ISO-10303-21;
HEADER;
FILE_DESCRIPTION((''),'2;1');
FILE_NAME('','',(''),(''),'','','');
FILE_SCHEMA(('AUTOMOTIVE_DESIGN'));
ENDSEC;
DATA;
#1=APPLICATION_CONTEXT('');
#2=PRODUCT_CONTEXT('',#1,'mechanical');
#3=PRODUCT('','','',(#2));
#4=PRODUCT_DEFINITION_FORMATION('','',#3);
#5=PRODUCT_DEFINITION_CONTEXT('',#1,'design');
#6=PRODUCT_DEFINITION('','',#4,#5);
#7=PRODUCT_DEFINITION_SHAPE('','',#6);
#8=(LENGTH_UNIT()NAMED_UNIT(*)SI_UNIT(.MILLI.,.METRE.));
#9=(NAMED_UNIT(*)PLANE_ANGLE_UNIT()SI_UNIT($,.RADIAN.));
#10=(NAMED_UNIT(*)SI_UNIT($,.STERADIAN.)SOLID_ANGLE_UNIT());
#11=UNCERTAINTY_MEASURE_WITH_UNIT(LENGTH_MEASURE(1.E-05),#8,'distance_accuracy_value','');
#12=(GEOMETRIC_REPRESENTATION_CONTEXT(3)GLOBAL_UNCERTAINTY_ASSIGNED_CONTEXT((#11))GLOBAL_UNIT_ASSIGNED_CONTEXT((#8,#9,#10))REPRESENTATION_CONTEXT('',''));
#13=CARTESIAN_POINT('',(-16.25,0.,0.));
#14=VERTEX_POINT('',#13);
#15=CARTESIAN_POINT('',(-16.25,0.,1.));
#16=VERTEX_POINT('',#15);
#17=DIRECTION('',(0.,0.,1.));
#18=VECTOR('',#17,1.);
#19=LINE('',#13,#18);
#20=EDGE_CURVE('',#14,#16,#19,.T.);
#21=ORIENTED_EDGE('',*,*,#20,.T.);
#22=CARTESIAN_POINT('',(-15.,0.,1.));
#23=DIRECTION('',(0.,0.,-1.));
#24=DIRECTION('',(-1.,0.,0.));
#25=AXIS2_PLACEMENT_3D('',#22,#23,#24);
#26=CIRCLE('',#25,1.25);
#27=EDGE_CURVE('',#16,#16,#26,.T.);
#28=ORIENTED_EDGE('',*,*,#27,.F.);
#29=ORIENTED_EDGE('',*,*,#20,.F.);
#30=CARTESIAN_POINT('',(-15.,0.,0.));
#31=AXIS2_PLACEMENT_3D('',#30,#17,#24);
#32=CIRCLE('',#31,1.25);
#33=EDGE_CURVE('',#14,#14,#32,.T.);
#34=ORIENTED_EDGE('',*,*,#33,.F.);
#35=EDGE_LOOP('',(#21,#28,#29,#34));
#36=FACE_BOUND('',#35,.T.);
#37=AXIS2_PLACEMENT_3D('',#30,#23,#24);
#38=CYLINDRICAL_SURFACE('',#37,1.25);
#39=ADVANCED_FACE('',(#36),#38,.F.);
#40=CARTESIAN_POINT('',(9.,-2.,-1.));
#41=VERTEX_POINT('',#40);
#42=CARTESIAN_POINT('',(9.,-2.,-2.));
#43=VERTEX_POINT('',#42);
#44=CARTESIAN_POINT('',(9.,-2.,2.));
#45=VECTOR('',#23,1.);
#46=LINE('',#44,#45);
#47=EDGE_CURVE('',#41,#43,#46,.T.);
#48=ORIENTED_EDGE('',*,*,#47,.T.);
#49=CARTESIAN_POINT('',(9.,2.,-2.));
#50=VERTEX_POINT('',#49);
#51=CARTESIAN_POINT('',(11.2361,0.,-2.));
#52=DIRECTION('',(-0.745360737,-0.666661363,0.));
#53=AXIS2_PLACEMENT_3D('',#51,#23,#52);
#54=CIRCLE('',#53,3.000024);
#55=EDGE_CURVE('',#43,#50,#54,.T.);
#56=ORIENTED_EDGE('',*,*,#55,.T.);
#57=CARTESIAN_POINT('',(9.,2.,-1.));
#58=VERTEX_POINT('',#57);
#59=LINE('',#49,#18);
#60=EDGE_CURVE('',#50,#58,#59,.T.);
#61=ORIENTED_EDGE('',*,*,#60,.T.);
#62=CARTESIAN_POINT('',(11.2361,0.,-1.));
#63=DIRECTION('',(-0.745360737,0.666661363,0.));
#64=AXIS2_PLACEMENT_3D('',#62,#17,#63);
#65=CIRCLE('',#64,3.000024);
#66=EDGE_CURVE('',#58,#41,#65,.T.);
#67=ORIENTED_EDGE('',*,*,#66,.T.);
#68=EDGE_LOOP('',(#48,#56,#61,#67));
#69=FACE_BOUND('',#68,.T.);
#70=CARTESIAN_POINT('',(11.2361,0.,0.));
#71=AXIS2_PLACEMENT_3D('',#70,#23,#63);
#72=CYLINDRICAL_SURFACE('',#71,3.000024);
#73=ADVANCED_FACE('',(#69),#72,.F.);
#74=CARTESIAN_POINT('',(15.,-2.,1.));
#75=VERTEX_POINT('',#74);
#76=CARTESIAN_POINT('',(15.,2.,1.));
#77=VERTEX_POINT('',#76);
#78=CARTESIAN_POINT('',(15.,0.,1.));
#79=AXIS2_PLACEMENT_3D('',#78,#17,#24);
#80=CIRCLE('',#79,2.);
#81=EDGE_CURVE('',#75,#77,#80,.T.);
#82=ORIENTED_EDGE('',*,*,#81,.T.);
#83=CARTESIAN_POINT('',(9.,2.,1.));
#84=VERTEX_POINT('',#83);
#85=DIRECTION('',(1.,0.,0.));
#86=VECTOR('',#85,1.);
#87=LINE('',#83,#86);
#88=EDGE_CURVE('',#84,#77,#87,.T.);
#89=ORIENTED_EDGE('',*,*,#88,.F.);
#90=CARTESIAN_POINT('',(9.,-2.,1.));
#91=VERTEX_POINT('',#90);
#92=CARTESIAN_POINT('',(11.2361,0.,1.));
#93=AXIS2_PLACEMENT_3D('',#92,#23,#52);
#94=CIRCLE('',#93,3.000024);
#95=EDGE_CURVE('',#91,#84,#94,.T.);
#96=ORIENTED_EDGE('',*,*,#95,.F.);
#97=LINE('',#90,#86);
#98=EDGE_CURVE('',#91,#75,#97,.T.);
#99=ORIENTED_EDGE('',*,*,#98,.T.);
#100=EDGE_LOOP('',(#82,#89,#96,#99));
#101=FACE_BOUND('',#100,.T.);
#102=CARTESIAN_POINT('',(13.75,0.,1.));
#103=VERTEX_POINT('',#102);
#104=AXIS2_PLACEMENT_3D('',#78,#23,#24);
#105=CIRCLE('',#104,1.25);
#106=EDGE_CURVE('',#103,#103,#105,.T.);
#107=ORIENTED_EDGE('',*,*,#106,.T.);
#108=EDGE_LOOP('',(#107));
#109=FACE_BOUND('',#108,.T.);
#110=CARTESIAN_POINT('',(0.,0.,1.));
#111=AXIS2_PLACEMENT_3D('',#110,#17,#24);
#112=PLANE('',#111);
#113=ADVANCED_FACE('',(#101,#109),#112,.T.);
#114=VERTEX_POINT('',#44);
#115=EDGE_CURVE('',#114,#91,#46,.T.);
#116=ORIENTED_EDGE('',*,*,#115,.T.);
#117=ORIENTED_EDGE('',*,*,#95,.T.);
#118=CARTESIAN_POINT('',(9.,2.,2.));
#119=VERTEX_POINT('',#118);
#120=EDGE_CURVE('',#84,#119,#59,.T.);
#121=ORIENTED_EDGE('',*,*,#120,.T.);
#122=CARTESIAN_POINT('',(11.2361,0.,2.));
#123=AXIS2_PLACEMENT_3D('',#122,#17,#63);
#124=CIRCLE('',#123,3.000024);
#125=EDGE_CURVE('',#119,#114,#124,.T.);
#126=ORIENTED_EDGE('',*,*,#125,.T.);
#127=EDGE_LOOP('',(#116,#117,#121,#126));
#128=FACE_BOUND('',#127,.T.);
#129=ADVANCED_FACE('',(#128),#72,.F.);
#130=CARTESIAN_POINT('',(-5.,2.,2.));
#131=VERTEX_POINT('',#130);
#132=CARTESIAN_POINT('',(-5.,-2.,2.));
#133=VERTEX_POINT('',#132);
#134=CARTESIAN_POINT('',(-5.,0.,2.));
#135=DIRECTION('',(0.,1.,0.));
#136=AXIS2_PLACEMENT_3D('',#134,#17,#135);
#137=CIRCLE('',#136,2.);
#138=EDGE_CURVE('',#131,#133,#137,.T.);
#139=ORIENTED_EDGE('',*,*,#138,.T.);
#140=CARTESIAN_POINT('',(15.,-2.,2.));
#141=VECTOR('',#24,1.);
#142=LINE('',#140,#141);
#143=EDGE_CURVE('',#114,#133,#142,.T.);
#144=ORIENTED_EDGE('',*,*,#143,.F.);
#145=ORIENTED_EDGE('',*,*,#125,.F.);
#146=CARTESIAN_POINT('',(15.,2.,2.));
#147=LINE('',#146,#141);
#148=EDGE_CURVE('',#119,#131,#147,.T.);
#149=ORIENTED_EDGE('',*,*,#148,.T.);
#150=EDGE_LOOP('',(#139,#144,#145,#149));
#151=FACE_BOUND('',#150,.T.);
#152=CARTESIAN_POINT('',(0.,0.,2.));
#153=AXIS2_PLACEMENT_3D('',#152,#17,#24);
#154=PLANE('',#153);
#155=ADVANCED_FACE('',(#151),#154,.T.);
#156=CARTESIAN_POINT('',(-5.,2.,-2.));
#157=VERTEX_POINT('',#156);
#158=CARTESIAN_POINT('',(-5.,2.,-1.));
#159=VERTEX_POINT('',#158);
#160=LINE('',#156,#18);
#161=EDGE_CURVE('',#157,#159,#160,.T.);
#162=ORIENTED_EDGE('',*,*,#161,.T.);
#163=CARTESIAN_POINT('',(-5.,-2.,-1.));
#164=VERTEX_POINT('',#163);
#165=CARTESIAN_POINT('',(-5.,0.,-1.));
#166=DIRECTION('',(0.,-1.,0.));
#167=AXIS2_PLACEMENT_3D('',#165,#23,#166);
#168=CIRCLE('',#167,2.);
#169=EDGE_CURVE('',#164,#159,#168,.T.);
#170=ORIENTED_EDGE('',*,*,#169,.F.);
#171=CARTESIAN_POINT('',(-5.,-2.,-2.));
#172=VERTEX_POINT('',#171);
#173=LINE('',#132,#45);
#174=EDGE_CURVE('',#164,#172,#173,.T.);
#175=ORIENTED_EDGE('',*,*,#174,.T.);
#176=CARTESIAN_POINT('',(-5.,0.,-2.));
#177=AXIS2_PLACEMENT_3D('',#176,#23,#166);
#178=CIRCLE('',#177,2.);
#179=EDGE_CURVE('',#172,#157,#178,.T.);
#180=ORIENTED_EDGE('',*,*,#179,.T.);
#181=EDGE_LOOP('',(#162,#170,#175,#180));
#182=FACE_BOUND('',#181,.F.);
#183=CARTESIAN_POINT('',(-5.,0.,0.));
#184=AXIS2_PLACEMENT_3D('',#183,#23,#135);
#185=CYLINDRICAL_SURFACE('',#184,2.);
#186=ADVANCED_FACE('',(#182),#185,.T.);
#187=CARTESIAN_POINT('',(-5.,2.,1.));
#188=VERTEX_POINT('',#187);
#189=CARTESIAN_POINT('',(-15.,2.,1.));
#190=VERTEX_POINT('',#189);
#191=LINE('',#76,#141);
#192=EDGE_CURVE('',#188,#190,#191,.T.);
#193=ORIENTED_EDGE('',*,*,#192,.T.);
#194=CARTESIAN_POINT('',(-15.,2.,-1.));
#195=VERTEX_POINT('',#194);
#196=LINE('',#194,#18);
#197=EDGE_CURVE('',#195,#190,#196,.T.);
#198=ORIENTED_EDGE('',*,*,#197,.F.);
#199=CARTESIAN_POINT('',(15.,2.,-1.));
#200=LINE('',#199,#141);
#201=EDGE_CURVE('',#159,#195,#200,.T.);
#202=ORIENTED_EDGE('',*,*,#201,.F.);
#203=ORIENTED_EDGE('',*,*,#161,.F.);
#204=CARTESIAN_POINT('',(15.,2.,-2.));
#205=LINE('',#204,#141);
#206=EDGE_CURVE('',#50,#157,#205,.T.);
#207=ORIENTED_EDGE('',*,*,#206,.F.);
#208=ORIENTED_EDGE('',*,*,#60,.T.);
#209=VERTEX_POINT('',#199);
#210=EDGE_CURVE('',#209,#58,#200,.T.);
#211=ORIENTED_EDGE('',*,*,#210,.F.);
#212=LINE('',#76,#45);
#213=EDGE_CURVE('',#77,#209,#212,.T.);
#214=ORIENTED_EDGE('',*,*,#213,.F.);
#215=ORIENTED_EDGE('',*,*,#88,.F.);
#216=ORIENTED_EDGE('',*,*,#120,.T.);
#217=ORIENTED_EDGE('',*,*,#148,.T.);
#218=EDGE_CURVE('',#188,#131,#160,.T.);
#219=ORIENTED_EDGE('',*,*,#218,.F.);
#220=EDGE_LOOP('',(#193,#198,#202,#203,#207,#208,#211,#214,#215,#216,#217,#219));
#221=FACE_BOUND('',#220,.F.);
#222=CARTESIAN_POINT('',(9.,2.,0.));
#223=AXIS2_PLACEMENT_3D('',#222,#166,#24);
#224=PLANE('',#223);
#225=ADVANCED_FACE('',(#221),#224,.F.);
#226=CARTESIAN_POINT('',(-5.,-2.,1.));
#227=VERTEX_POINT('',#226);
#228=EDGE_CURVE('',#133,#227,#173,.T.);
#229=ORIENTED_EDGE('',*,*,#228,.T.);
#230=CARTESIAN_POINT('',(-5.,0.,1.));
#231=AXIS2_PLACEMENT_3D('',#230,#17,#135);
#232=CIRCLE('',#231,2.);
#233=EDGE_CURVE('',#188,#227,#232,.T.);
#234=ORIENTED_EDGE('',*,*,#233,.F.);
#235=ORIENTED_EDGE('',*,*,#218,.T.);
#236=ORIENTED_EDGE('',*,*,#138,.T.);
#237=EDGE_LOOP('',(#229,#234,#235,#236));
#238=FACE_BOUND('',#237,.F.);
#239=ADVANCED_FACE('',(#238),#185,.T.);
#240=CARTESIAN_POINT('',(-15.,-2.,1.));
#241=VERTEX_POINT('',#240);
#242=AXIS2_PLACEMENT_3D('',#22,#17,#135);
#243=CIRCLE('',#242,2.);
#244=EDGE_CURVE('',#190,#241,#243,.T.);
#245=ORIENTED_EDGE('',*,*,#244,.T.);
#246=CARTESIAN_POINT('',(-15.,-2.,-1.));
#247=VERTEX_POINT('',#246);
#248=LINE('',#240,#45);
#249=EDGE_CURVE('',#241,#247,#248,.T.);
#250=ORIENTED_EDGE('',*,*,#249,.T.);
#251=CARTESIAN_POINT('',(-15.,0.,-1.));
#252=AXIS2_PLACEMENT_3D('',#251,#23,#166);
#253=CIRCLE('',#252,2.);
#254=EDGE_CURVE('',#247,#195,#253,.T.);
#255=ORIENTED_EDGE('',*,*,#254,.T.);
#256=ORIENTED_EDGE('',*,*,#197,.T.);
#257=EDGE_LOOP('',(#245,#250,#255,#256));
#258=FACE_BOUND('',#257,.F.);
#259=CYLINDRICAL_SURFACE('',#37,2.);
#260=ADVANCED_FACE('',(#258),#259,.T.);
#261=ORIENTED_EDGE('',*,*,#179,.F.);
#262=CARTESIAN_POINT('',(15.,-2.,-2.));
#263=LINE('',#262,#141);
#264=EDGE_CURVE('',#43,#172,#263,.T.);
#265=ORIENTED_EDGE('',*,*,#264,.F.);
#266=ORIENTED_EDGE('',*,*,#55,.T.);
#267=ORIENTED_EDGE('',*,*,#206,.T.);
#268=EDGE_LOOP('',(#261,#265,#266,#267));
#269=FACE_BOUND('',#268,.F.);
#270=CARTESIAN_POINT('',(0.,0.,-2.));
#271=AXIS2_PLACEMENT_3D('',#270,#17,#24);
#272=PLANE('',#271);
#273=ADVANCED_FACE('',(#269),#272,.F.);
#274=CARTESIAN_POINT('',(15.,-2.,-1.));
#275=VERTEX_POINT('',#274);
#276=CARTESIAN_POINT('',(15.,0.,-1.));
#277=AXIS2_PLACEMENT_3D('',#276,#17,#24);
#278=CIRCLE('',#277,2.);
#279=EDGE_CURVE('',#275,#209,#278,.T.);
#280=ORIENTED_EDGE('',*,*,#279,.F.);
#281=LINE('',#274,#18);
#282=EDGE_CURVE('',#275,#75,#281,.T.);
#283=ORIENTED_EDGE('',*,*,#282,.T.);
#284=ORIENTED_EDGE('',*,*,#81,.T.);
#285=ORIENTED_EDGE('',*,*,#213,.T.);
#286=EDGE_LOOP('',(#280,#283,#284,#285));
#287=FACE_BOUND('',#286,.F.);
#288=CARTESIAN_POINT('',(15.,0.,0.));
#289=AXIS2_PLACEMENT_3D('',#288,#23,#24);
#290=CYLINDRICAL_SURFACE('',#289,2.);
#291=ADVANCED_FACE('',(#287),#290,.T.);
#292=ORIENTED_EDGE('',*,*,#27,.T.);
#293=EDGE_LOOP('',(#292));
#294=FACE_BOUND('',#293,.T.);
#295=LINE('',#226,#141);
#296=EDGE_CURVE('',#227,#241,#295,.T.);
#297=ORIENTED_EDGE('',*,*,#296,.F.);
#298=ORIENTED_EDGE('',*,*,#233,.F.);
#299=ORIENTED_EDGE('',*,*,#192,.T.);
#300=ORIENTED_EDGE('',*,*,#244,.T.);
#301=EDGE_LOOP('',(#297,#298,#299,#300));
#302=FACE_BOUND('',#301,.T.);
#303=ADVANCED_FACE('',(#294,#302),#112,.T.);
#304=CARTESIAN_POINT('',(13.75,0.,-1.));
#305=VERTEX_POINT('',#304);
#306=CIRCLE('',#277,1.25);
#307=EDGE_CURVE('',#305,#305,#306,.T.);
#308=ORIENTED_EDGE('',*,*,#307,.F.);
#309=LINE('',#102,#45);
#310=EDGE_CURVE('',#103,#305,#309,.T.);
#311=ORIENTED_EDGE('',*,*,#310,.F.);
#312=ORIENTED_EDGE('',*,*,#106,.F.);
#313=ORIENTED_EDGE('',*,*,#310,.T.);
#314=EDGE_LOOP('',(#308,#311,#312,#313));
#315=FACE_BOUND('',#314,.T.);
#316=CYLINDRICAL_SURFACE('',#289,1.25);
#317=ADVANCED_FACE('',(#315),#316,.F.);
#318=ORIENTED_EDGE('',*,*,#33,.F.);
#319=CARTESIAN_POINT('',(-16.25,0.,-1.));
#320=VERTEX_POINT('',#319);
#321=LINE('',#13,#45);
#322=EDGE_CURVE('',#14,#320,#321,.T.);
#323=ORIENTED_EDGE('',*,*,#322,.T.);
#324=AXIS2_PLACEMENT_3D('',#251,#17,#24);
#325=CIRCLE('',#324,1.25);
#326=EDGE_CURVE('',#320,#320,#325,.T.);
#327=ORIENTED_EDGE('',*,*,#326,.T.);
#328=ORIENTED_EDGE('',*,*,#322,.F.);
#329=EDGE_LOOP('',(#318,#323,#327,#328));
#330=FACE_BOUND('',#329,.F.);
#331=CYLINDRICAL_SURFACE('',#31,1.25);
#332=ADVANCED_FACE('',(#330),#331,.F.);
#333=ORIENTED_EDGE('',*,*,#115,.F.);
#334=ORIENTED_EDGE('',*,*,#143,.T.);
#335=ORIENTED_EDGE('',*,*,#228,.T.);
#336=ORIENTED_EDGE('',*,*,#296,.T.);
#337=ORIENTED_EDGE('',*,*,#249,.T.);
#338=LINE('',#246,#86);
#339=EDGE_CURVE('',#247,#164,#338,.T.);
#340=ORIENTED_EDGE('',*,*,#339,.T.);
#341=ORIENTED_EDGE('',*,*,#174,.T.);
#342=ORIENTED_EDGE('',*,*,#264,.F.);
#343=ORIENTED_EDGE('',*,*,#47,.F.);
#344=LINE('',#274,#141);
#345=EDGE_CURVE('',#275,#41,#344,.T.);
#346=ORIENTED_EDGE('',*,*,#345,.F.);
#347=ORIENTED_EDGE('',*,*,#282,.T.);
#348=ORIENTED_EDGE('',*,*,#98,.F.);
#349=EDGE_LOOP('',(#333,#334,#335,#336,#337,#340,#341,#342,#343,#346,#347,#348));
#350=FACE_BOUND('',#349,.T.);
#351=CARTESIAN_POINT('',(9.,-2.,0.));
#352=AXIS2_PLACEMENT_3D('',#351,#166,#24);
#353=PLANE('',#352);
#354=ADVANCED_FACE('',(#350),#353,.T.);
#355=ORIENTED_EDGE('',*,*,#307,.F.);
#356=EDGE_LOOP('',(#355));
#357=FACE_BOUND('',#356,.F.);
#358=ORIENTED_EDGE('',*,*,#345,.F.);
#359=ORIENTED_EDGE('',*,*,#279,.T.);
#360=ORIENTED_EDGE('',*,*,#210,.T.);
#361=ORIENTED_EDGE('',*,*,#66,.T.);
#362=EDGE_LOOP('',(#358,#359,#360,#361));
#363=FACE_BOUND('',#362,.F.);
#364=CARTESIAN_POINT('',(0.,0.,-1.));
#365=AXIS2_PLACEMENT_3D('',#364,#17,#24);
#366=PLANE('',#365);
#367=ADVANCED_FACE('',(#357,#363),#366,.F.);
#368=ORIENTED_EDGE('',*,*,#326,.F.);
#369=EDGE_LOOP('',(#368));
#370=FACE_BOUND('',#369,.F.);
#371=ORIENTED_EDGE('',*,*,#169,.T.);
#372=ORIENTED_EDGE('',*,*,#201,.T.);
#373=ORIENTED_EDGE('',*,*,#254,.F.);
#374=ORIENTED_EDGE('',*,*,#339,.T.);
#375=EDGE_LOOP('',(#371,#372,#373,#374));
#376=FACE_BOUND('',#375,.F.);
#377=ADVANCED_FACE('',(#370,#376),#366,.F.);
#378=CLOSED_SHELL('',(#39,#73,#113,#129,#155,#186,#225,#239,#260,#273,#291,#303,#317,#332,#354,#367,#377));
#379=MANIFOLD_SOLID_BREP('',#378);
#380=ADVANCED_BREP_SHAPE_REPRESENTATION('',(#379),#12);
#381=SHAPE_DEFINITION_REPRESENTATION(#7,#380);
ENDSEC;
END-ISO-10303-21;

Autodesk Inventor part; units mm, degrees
ref_plane "YZ Plane" through (0, 0, 0) normal (1, 0, 0) x (0, 1, 0)
ref_plane "XZ Plane" through (0, 0, 0) normal (0, 1, 0) x (-1, 0, 0)
ref_plane "XY Plane" through (0, 0, 0) normal (0, 0, 1) x (1, 0, 0)
sketch "Sketch1" plane through (0, 0, 0) normal (0, 0, 1) x (1, 0, 0)
  line L0 (0, 0) -> (15, 0)
  line L1 (0, 0) -> (-15, 0)
  line L2 (0, 0) -> (5, 0)
  circle A0 centre (-15, 0) radius 1.25
  circle A1 centre (15, 0) radius 1.25
  circle A2 centre (-15, 0) radius 2
  circle A3 centre (15, 0) radius 2
  line L3 (-15, 2) -> (15, 2)
  line L4 (-15, -2) -> (15, -2)
  line L5 (-15, 2) -> (-9, 2)
  line L6 (-9, 2) -> (-9, -2)
  line L7 (-9, -2) -> (-15, -2)
  line L8 (-15, -2) -> (-15, 2)
  line L9 (15, 2) -> (12.5, 2)
  line L10 (15, -2) -> (15, 2)
  arc A4 (-9, -2) -> (-9, 2) centre (-11.2361, 0) ccw
  line L11 (5, 0) -> (1, 0)
  line L12 (5, 2) -> (5, 2)
  line L13 (5, 0) -> (9, 0)
  line L14 (-15, 2) -> (-14.5, 2)
  line L15 (-15, -2) -> (-14.5, -2)
  arc A5 (-14.5, -2) -> (-14.5, 2) centre (-14.5, 0) ccw
  line L16 (15, 0) -> (7, 0)
  line L17 (15, 2) -> (5, 2)
  line L18 (15, -2) -> (5, -2)
  arc A6 (5, -2) -> (5, 2) centre (5, 0) ccw
  point P0 (-9, 2)
  dimension "d1" = 15
  dimension "d2" = 15
  dimension "d4" = 2.5
  dimension "d6" = 2.5
  dimension "d7" = 4
  dimension "d8" = 4
  dimension "d10" = 6
  dimension "d16" = 4
  dimension "d17" = 3
  dimension "d24" = 0.5
  dimension "d25" = 0.5
  dimension "d26" = 2
  dimension "d37" = 8
  dimension "d38" = 10
  dimension "d45" = 10
extrude "Extrusion6" add sketch "Sketch1" along normal mid plane 2 contours A4 L6 L1 | L1 L6 A4 | L6 L4 A5 L1 | L1 A5 L3 L6 | A6 L3 A3 L0 | L0 A3 L4 A6 | A5 L4 A2 L1 | L1 A2 L3 A5 | A2 L8 A0 L1 | L1 A0 L8 A2 | A2 L8 A0 | L10 A1 A3 | A3 L0 A1 L10 | A3 L10 A1 L0
extrude "Extrusion7" add sketch "Sketch1" along normal mid plane 4 contours L1 A4 L3 A6 L0 | L0 A6 L4 A4 L1
move or copy body "Move Body1" bodies to move or copy 1 copy no rotation origin (0, 0, 0) rotation axis (0, 0, 1) rotation angle 180
properties part number "link7" material "Aluminum 6061"
